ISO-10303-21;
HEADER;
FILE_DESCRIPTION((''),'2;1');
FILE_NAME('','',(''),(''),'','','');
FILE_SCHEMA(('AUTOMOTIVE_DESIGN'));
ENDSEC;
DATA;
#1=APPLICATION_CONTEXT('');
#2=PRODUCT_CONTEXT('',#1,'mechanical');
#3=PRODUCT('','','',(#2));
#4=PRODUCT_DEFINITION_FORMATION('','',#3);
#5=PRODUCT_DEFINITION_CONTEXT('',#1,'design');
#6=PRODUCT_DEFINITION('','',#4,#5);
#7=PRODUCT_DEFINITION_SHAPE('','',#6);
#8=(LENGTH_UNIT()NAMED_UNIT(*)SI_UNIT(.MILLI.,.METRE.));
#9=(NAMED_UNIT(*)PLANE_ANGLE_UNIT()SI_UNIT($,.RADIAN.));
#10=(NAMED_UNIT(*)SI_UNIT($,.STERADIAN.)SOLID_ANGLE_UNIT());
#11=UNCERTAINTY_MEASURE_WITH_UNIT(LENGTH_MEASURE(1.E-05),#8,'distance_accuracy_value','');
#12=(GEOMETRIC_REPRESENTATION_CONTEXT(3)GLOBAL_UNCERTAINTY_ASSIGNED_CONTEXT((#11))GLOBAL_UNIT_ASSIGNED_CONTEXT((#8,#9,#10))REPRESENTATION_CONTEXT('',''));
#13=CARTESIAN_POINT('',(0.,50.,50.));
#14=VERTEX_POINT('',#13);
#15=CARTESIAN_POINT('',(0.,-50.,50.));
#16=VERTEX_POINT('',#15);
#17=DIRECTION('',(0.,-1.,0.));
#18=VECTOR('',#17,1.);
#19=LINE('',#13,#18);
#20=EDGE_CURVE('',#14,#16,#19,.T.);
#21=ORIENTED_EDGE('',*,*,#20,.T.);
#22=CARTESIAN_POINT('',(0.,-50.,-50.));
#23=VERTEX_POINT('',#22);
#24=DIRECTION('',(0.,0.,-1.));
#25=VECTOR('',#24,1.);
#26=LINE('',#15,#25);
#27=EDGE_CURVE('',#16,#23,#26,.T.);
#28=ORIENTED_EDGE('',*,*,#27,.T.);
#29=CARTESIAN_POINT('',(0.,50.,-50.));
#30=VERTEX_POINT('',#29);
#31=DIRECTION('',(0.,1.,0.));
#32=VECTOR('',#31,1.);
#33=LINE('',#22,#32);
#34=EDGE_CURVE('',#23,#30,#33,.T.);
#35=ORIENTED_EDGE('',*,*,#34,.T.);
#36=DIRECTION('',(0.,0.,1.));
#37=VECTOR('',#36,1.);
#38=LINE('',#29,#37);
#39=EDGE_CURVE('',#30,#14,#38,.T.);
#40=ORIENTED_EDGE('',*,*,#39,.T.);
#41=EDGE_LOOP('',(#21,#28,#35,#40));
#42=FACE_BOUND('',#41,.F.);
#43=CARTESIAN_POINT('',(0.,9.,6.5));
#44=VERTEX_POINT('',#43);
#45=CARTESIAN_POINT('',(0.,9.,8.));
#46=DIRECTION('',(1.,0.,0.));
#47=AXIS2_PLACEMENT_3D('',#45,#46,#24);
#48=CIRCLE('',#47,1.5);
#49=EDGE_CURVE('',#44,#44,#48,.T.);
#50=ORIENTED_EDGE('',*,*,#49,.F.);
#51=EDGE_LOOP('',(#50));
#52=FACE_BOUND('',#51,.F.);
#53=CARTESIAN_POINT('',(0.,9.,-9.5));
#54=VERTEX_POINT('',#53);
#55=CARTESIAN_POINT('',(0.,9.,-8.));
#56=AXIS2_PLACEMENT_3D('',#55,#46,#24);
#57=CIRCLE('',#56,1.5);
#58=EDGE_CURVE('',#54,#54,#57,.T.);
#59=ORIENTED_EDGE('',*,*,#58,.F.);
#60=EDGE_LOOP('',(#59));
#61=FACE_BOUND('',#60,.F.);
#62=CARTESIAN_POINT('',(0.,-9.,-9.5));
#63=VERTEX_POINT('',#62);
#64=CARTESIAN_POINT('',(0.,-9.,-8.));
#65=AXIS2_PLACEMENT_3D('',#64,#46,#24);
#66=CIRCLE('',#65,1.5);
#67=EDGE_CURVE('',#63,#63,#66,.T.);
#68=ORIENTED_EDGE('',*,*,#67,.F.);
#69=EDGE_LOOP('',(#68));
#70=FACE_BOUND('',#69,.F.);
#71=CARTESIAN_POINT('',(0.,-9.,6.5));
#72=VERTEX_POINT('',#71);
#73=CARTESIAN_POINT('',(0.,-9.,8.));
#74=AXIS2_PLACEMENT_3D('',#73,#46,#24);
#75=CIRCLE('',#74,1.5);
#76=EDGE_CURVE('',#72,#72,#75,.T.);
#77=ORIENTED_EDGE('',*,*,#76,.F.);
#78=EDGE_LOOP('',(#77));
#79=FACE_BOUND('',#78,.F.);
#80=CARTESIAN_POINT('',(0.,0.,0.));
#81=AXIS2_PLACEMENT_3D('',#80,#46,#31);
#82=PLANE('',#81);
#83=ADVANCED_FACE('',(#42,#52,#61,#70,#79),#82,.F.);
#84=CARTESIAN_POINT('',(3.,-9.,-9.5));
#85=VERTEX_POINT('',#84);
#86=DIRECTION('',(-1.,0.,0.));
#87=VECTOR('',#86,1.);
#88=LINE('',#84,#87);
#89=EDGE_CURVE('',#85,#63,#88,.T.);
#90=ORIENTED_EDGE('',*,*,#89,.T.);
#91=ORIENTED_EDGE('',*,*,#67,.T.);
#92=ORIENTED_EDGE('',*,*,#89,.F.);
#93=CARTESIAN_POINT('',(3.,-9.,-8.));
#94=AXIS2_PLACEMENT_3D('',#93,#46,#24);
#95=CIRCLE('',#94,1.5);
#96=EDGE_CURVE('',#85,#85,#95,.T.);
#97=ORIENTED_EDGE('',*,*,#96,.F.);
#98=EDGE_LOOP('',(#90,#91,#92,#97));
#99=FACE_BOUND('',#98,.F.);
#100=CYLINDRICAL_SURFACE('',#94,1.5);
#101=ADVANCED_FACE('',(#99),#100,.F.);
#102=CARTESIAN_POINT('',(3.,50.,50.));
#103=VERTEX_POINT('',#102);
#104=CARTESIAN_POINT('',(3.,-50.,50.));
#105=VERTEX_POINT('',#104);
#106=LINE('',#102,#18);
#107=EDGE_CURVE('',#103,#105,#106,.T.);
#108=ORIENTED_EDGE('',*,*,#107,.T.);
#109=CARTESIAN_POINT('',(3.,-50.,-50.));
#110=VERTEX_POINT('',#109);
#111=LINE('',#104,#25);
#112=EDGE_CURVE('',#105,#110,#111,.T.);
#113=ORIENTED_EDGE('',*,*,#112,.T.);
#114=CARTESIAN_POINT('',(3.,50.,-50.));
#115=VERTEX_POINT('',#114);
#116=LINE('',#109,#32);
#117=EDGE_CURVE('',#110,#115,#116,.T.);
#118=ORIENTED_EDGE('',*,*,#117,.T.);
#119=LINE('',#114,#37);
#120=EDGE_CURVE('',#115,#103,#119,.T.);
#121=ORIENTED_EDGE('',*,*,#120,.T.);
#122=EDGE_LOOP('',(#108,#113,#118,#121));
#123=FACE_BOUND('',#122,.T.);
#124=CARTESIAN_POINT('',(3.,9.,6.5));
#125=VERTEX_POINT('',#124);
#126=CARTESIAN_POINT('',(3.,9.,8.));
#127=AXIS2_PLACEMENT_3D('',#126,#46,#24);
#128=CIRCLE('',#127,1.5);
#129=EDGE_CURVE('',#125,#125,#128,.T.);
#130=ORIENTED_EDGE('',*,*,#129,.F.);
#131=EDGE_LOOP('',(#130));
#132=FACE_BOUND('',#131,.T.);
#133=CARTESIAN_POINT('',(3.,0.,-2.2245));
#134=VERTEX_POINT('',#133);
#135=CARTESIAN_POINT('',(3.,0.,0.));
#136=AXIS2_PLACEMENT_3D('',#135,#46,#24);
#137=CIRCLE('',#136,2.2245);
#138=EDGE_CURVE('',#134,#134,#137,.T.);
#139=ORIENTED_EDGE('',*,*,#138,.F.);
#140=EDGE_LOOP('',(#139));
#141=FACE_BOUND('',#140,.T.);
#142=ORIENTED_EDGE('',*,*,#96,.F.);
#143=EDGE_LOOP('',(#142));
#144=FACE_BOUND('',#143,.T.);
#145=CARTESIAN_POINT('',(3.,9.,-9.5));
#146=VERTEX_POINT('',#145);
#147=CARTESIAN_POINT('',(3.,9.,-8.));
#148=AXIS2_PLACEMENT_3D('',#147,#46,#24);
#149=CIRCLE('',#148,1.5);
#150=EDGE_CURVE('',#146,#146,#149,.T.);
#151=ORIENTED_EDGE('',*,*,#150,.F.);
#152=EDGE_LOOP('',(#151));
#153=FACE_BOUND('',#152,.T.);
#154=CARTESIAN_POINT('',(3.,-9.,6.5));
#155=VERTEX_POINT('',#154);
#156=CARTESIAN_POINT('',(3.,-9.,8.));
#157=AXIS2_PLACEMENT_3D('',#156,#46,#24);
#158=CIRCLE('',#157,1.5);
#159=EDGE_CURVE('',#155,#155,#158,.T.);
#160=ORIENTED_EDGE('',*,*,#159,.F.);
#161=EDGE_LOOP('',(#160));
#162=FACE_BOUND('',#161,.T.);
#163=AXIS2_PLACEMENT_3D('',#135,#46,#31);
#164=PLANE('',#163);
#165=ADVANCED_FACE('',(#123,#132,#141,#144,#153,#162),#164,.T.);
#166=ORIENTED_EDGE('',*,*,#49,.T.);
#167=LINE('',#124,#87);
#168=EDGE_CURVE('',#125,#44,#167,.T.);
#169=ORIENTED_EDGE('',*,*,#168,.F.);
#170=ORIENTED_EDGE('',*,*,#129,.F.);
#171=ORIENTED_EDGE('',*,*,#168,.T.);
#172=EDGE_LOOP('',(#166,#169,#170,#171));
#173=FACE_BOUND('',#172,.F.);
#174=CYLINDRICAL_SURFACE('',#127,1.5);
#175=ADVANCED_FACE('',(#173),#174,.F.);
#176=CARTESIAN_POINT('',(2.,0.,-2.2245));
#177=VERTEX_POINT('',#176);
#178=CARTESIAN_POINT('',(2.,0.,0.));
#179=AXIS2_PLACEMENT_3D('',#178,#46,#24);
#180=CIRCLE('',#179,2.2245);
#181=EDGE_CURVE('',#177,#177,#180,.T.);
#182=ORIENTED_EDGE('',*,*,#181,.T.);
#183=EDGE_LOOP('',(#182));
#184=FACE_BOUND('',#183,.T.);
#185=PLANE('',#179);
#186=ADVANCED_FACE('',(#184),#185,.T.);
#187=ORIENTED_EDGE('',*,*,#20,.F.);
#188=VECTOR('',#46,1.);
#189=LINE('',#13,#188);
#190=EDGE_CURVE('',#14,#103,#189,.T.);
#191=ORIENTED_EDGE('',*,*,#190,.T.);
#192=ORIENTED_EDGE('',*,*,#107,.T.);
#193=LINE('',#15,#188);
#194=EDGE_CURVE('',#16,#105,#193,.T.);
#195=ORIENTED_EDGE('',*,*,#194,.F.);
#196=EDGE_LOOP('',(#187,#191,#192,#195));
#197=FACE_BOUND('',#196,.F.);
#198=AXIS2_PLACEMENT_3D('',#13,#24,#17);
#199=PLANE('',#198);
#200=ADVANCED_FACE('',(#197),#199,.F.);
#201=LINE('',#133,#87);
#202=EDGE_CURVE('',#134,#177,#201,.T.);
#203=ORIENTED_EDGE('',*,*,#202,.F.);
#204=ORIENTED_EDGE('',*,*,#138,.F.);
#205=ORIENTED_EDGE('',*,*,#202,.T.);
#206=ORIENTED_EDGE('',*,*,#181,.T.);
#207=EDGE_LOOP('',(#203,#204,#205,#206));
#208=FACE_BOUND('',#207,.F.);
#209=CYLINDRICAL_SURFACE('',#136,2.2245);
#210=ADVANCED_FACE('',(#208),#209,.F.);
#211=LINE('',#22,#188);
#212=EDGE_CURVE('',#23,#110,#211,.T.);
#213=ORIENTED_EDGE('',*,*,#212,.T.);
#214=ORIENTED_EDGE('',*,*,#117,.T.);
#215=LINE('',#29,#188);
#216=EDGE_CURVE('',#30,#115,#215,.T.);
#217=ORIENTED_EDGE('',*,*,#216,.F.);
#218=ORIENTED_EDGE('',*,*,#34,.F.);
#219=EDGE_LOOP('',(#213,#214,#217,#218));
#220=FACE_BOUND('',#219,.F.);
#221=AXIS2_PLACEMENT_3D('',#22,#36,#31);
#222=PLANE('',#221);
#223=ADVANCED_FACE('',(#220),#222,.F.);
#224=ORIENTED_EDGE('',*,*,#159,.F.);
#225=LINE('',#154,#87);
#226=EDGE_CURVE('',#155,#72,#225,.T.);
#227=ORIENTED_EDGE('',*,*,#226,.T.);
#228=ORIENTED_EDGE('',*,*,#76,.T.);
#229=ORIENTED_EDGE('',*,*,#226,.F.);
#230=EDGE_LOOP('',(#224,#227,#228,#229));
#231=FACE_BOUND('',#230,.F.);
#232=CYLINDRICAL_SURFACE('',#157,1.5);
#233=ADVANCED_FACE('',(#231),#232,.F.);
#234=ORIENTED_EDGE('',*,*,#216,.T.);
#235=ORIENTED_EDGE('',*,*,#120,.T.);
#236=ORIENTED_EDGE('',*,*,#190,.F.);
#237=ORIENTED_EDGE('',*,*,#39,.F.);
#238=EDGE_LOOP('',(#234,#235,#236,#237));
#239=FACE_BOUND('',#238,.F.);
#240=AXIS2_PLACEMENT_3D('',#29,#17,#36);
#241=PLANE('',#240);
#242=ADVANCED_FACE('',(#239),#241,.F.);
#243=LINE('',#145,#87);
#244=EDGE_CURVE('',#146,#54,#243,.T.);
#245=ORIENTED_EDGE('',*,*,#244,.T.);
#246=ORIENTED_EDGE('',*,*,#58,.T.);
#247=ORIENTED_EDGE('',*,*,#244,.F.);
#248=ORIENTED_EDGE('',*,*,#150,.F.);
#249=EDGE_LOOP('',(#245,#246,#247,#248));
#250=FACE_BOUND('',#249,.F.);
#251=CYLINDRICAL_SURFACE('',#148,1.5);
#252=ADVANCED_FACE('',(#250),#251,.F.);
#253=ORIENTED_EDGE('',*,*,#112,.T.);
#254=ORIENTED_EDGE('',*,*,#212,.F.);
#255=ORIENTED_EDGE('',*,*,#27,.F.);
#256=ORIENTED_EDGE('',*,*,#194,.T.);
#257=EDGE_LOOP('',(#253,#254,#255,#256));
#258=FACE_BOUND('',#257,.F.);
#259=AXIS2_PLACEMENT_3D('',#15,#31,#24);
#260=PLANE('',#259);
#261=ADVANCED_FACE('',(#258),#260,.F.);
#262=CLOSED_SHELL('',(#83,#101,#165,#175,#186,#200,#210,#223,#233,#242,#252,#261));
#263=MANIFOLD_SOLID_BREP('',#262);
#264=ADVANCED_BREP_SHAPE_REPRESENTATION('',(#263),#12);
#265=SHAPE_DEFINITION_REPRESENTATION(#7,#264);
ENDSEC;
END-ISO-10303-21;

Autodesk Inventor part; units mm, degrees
ref_plane "YZ Plane" through (0, 0, 0) normal (1, 0, 0) x (0, 1, 0)
ref_plane "XZ Plane" through (0, 0, 0) normal (0, 1, 0) x (-1, 0, 0)
ref_plane "XY Plane" through (0, 0, 0) normal (0, 0, 1) x (1, 0, 0)
sketch "Sketch1" plane through (0, 0, 0) normal (1, 0, 0) x (0, 1, 0)
  line L0 (50, 50) -> (-50, 50)
  line L1 (-50, 50) -> (-50, -50)
  line L2 (-50, -50) -> (50, -50)
  line L3 (50, -50) -> (50, 50)
  line L4 (50, 50) -> (-50, -50) construction
  line L5 (-50, 50) -> (50, -50) construction
  point P0 (0, 0)
  dimension "d0" = 100
  dimension "d1" = 100
extrude "Extrusion1" add sketch "Sketch1" along normal blind 3
sketch "Sketch2" plane through (3, 0, 0) normal (1, 0, 0) x (0, 0, -1)
  circle A0 centre (-8, -9) radius 1.5
  circle A1 centre (8, -9) radius 1.5
  circle A2 centre (8, 9) radius 1.5
  circle A3 centre (-8, 9) radius 1.5
  ellipse E0 centre (0, 0) end of major axis (13, 14) minor radius 3.6924 (4.9841, 0.0284) -> (0.0262, 5.3386) ccw
  ellipse E1 centre (0, 0) end of major axis (-13, 14) minor radius 3.7302 (0.0262, 5.3386) -> (-4.9841, -0.0284) ccw
  ellipse E2 centre (0, 0) end of major axis (13, 14) minor radius 3.6924 (-4.9841, -0.0284) -> (-0.0262, -5.3386) ccw
  ellipse E3 centre (0, 0) end of major axis (-13, 14) minor radius 3.7302 (-0.0262, -5.3386) -> (4.9841, 0.0284) ccw
  point P0 (0, 9.3923)
extrude "Extrusion2" cut sketch "Sketch2" against normal blind 3 contours A0 | A1 | A2 | A3
sketch "Sketch3" plane through (3, 0, 0) normal (1, 0, 0) x (0, 0, -1)
  circle A0 centre (0, 0) radius 2.2245
extrude "Extrusion3" cut sketch "Sketch3" against normal blind 1
properties part number "marker plate"
